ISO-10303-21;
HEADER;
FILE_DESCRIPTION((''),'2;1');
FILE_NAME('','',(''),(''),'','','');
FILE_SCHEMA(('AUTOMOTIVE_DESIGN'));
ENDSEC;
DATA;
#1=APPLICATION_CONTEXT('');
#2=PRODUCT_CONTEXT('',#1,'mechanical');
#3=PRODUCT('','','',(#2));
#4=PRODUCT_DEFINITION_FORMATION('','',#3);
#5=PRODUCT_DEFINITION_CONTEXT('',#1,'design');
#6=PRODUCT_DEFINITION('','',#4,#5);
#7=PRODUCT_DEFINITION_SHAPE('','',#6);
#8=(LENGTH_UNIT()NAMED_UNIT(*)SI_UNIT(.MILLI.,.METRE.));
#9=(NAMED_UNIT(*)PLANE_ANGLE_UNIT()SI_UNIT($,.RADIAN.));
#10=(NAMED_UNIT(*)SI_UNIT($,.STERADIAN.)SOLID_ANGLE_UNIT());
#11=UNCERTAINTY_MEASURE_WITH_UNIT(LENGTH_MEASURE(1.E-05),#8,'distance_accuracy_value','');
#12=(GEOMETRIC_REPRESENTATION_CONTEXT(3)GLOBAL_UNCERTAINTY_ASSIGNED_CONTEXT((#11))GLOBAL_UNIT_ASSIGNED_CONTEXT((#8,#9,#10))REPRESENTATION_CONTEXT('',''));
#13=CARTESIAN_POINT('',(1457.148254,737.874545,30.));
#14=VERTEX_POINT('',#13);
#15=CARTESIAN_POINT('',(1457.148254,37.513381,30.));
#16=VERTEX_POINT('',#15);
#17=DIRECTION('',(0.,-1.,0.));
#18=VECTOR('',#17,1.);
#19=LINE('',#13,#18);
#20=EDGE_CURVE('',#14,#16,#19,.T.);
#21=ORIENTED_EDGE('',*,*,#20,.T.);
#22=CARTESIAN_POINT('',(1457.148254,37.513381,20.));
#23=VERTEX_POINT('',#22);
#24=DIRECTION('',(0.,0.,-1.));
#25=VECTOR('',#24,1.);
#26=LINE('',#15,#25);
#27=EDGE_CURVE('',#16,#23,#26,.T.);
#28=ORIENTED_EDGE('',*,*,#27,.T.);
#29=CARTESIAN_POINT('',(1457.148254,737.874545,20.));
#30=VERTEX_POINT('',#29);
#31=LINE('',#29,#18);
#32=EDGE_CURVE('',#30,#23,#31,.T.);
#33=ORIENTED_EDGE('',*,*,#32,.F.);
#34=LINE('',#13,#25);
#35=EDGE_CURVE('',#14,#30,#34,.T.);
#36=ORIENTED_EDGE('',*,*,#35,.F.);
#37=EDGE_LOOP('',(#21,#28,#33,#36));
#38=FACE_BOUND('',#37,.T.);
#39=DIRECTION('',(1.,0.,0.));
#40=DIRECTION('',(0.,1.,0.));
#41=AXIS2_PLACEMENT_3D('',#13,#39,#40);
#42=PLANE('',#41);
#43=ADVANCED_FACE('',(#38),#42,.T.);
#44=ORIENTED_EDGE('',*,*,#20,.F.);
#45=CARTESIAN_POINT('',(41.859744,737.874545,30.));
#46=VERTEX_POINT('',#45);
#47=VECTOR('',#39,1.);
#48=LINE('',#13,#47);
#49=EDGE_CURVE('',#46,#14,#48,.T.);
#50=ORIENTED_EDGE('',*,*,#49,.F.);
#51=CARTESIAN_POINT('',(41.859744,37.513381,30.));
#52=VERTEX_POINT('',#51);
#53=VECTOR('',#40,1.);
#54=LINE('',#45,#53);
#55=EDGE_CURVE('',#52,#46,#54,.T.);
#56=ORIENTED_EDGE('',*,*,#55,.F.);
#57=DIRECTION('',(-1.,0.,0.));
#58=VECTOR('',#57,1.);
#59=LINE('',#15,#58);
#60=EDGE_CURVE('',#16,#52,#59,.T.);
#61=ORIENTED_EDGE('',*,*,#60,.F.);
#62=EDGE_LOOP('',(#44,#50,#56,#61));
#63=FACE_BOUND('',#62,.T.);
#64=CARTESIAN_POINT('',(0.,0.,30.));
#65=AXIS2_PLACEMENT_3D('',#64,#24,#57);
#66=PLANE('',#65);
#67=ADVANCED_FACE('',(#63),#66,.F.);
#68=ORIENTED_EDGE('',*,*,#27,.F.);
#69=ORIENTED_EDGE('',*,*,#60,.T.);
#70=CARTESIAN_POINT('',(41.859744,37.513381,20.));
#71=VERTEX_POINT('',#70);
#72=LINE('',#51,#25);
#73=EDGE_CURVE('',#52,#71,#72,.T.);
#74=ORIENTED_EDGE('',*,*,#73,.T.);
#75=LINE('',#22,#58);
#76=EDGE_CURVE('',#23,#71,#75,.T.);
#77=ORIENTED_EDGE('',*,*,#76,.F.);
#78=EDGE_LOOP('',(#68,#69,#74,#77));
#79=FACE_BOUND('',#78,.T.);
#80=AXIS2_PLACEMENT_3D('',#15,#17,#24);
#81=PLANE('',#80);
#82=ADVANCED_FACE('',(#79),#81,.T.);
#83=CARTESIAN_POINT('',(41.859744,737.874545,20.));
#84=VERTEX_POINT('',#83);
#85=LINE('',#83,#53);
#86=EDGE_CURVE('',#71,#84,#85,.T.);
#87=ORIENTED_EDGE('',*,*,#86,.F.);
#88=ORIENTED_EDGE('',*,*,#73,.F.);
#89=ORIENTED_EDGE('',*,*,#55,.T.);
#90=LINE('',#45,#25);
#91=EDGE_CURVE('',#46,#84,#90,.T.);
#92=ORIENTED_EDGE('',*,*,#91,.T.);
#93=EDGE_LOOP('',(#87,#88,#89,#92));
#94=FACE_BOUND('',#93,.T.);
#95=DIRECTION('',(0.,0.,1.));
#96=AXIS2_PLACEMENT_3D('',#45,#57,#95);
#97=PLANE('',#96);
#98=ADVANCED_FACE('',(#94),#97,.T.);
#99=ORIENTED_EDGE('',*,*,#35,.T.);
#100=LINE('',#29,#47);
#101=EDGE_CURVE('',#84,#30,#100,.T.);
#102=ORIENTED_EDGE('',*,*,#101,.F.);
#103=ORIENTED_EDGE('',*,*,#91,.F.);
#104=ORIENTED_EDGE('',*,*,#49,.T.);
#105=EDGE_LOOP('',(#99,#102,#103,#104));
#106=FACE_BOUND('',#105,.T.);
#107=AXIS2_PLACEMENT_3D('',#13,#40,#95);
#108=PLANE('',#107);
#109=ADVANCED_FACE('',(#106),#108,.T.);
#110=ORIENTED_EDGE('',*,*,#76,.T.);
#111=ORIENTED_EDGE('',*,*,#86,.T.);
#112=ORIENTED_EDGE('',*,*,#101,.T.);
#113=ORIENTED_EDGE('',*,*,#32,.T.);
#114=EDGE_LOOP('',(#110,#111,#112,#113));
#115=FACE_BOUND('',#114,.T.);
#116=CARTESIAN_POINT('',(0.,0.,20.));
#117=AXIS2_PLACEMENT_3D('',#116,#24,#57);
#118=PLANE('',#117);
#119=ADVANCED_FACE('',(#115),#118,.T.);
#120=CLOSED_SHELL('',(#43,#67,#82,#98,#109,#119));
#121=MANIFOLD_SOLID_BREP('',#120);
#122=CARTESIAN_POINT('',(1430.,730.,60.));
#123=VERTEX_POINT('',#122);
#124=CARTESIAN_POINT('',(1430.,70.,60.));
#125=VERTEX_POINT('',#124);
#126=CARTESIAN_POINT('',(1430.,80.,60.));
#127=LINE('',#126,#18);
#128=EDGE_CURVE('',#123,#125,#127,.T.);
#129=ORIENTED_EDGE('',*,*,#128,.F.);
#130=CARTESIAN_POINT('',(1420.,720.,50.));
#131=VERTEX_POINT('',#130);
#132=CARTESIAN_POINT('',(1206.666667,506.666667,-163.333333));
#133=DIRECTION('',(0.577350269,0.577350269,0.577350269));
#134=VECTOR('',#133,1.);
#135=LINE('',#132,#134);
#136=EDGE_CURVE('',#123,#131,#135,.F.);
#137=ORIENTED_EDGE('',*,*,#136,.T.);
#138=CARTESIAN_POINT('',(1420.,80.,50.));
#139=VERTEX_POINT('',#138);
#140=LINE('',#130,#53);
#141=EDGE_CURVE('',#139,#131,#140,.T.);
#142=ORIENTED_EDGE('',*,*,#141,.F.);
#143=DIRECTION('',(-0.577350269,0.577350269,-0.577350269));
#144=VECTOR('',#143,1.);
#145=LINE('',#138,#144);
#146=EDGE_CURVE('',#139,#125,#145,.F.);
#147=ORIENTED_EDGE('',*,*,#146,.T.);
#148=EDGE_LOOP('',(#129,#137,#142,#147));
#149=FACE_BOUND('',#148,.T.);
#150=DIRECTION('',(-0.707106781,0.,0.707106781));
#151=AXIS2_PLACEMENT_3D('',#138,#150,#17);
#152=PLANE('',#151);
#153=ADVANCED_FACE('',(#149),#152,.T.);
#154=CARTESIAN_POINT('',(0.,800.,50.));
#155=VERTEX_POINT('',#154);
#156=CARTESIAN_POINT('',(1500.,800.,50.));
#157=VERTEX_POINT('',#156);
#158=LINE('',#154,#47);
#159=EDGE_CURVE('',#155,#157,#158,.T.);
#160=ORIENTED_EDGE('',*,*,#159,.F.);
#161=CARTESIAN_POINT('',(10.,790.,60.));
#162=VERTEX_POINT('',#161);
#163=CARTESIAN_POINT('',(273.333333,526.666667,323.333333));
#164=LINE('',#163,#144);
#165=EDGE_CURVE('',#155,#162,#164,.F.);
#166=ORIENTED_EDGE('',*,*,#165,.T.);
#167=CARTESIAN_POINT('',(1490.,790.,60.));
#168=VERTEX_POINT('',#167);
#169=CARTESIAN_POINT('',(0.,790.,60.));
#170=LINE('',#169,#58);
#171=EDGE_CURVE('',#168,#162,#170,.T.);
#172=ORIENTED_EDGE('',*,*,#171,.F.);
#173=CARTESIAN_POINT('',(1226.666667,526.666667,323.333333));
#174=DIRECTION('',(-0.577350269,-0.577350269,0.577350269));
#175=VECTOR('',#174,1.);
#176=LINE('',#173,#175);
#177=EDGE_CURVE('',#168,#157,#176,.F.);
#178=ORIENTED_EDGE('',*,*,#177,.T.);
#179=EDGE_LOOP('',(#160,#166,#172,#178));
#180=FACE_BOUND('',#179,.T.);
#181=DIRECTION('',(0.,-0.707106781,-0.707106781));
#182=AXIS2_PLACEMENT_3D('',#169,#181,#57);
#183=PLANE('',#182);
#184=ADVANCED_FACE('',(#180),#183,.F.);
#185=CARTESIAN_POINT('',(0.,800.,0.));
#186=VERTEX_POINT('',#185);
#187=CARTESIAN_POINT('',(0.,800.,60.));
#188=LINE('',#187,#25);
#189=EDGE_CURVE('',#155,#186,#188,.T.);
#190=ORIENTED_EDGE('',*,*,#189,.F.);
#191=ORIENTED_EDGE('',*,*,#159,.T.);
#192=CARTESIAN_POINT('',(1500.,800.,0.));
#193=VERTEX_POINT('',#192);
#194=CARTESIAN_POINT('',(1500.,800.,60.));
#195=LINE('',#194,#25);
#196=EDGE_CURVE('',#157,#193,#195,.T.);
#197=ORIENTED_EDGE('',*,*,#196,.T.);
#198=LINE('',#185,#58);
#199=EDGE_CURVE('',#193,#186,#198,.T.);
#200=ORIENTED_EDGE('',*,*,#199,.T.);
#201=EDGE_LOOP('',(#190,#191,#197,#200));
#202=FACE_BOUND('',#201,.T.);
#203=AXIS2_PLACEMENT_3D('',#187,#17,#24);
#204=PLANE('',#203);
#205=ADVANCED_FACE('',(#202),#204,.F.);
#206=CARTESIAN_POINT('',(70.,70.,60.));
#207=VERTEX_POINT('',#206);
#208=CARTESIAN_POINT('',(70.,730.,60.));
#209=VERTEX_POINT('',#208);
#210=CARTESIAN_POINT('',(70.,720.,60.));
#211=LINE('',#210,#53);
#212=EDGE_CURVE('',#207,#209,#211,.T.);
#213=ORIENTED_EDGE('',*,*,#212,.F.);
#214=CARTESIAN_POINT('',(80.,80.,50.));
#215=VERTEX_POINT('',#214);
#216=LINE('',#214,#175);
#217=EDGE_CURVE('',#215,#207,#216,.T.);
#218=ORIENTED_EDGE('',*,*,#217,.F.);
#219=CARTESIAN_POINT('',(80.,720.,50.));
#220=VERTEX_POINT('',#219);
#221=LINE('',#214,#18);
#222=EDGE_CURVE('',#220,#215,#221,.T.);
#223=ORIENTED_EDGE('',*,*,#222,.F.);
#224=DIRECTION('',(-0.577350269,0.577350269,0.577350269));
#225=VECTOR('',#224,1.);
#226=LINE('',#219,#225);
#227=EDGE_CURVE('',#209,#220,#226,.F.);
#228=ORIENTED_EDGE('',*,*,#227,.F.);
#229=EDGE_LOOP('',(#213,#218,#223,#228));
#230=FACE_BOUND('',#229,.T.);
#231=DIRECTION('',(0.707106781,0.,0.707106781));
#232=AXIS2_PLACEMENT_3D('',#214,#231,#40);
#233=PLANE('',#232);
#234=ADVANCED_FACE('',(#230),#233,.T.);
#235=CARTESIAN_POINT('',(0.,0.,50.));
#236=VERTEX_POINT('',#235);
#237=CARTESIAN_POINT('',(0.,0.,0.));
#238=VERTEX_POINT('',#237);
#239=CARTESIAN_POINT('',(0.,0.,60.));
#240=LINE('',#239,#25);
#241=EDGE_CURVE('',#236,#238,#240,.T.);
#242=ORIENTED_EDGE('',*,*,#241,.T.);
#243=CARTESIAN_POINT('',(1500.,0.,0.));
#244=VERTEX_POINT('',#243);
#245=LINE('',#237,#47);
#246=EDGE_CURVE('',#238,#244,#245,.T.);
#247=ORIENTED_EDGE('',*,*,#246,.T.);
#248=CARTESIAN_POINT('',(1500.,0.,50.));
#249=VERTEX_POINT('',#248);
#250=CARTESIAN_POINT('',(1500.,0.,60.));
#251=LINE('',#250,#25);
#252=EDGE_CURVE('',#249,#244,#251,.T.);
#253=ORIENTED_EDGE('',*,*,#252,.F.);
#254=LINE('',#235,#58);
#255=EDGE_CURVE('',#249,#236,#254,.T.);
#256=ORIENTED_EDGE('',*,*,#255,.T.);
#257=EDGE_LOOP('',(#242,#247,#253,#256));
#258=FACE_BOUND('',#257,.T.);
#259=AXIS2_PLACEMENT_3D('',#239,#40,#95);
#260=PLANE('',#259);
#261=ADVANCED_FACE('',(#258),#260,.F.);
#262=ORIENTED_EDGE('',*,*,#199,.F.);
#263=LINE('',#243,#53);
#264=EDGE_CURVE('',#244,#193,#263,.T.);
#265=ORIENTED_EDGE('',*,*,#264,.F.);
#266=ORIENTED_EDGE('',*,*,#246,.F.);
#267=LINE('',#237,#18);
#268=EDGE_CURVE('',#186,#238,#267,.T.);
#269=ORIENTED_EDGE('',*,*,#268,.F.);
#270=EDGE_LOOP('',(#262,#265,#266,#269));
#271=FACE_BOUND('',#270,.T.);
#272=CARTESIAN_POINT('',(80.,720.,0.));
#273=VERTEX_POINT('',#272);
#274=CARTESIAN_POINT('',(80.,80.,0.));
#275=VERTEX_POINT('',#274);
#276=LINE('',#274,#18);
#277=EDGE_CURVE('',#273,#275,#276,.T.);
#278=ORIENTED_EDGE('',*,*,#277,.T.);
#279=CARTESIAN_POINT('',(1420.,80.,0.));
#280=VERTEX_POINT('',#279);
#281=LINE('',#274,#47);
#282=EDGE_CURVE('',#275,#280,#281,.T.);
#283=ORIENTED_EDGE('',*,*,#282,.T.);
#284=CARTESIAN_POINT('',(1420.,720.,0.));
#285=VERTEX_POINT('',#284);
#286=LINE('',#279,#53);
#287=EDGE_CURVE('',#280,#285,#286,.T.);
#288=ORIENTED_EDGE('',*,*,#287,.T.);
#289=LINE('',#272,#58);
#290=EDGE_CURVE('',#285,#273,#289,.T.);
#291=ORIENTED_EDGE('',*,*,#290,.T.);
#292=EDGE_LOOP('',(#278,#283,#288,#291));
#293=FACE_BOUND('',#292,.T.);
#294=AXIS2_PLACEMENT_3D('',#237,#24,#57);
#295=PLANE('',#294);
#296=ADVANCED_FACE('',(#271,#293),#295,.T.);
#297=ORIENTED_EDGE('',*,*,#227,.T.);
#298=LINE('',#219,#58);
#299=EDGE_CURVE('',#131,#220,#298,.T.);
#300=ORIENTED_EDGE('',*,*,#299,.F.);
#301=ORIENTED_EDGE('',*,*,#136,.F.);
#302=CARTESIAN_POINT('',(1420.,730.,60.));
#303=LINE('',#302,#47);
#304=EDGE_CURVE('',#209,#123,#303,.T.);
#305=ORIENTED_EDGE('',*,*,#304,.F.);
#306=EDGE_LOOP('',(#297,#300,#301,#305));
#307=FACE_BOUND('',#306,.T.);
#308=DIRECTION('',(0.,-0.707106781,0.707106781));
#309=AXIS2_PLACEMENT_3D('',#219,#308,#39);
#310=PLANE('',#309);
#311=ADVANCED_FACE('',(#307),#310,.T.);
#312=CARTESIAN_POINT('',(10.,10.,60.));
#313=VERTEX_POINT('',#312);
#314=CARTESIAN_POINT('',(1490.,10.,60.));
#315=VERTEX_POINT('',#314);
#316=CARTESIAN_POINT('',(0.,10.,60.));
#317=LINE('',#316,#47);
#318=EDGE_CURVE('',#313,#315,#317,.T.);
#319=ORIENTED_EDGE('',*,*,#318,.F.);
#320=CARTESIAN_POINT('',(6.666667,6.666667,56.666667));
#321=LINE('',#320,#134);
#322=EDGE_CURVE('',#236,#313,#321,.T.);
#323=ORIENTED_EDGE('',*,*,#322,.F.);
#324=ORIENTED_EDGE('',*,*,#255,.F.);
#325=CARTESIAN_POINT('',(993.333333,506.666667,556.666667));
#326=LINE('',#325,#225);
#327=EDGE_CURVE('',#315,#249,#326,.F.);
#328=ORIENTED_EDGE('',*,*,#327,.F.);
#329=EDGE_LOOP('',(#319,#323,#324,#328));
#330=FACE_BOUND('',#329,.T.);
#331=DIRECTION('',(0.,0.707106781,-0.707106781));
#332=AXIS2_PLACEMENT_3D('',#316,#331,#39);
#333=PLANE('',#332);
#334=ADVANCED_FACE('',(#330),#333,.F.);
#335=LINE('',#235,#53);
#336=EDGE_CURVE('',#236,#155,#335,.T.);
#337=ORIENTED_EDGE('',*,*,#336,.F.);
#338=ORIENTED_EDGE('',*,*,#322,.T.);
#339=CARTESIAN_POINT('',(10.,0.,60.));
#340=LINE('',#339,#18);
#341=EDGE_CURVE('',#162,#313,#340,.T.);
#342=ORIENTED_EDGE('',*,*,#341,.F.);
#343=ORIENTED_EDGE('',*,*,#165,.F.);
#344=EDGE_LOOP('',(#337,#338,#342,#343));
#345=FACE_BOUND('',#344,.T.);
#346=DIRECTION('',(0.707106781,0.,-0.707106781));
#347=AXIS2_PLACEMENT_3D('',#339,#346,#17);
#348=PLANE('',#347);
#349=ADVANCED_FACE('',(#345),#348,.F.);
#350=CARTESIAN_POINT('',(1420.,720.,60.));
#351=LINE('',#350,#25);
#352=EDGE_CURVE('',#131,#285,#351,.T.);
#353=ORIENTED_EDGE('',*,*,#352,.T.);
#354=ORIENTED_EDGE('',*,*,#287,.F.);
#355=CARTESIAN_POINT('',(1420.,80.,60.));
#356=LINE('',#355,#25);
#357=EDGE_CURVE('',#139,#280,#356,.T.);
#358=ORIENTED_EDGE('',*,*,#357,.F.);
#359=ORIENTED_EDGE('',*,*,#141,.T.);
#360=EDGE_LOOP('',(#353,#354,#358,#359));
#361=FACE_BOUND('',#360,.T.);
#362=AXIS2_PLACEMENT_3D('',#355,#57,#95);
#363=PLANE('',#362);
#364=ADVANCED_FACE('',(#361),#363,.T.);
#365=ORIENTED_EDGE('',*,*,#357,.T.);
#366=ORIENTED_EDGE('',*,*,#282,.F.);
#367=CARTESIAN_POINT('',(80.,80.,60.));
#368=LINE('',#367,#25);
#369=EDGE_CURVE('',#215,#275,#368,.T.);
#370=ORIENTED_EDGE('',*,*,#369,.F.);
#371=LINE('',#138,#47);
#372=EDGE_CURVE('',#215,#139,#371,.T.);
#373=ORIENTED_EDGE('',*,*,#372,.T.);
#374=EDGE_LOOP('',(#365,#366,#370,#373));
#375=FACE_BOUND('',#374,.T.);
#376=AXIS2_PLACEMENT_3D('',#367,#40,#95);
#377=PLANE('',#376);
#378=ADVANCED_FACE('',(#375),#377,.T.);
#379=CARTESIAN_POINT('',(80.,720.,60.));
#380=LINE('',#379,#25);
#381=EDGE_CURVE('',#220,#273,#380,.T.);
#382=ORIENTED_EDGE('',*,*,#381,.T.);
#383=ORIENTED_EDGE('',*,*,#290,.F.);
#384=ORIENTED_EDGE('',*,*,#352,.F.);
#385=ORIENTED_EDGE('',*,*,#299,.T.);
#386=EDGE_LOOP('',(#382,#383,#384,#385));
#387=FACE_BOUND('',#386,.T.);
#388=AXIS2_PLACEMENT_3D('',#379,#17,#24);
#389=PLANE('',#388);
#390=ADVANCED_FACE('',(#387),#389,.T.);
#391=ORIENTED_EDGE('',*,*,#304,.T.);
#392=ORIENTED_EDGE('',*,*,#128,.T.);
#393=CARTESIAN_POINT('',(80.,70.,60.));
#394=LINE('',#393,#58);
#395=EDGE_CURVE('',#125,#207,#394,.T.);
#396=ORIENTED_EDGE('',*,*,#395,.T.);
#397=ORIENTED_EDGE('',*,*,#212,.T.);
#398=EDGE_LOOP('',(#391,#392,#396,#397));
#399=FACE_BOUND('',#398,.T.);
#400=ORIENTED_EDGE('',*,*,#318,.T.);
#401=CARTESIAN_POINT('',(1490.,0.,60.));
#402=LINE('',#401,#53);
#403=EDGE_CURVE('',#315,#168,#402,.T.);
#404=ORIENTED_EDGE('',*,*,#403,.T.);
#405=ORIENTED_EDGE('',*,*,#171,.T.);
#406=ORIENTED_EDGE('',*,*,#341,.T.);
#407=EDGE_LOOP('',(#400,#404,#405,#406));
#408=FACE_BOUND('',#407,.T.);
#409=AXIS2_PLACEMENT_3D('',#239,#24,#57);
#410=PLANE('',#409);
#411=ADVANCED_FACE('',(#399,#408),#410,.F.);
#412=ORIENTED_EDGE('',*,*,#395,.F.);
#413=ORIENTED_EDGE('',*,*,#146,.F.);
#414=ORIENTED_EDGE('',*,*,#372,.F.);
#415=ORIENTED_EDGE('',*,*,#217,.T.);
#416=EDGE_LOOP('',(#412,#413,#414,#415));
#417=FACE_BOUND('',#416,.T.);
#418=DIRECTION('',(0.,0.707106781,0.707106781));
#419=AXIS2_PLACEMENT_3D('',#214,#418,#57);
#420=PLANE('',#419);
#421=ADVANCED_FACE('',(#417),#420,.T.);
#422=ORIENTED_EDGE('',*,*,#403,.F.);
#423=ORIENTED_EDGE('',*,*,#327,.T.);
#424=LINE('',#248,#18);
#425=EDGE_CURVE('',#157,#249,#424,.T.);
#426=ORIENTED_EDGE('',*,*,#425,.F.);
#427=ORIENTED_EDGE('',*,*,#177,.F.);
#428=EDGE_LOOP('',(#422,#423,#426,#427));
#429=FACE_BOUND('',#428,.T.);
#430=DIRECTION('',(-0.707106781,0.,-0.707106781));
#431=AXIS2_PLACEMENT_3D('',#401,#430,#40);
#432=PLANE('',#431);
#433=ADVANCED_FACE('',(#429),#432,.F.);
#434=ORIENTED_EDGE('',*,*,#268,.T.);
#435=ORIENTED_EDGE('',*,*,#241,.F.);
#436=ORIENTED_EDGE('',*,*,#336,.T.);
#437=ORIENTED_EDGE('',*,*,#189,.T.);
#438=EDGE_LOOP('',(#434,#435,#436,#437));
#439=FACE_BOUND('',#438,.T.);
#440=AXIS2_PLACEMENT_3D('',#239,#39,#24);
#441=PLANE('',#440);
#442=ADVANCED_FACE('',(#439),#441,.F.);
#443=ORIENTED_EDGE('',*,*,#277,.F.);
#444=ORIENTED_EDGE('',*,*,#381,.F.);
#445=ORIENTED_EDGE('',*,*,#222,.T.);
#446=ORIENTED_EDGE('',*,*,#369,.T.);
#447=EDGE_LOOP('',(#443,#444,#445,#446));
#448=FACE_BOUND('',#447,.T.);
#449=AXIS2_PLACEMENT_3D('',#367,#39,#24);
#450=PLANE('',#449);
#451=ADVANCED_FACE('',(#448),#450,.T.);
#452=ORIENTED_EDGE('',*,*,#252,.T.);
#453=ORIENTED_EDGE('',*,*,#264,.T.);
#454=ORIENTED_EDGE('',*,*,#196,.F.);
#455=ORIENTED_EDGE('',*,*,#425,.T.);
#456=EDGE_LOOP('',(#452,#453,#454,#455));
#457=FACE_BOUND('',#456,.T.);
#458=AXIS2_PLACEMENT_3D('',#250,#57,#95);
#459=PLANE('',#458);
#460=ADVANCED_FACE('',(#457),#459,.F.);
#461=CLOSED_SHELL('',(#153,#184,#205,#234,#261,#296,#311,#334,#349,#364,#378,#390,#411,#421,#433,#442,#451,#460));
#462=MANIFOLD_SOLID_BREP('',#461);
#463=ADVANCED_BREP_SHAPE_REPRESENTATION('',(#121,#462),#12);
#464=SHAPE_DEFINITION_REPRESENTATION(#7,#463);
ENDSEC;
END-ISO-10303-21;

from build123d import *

# Parameters (mm, degrees)
SKETCH_1_W      = 1500
SKETCH_1_H      = 800
SKETCH_1_W_2    = 1340
SKETCH_1_H_2    = 640
EXTRUDE_1_DEPTH = 60
CHAMFER_1_SIZE  = 10
EXTRUDE_START   = -20
SKETCH_2_W      = 1415.288510093
SKETCH_2_H      = 700.361163677
EXTRUDE_2_DEPTH = 10


with BuildPart() as part:
    # Эскиз1 → Бобышка-Вытянуть1 (new body)
    with BuildSketch(Plane.XY):
        with Locations((750, 400)):
            Rectangle(SKETCH_1_W, SKETCH_1_H)
        with Locations((750, 400)):
            Rectangle(SKETCH_1_W_2, SKETCH_1_H_2, mode=Mode.SUBTRACT)
    extrude(amount=EXTRUDE_1_DEPTH)

    # Фаска1
    chamfer_1_edges = [part.edges().sort_by_distance(p)[0] for p in [
        (1500, 400, 60),
        (750, 80, 60),
        (750, 800, 60),
        (1420, 400, 60),
        (750, 720, 60),
        (80, 400, 60),
        (0, 400, 60),
        (750, 0, 60),
    ]]
    chamfer(chamfer_1_edges, length=CHAMFER_1_SIZE)


with BuildPart() as body_2:
    # Эскиз2 → Бобышка-Вытянуть2 (new body)
    with BuildSketch(Plane(origin=(0, 0, 0), x_dir=(-1, 0, 0), z_dir=(0, 0, -1)).offset(EXTRUDE_START)):
        with Locations((-749.50399885, 387.693963309)):
            Rectangle(SKETCH_2_W, SKETCH_2_H)
    extrude(amount=-EXTRUDE_2_DEPTH)


solid = Compound([part.part, body_2.part])
